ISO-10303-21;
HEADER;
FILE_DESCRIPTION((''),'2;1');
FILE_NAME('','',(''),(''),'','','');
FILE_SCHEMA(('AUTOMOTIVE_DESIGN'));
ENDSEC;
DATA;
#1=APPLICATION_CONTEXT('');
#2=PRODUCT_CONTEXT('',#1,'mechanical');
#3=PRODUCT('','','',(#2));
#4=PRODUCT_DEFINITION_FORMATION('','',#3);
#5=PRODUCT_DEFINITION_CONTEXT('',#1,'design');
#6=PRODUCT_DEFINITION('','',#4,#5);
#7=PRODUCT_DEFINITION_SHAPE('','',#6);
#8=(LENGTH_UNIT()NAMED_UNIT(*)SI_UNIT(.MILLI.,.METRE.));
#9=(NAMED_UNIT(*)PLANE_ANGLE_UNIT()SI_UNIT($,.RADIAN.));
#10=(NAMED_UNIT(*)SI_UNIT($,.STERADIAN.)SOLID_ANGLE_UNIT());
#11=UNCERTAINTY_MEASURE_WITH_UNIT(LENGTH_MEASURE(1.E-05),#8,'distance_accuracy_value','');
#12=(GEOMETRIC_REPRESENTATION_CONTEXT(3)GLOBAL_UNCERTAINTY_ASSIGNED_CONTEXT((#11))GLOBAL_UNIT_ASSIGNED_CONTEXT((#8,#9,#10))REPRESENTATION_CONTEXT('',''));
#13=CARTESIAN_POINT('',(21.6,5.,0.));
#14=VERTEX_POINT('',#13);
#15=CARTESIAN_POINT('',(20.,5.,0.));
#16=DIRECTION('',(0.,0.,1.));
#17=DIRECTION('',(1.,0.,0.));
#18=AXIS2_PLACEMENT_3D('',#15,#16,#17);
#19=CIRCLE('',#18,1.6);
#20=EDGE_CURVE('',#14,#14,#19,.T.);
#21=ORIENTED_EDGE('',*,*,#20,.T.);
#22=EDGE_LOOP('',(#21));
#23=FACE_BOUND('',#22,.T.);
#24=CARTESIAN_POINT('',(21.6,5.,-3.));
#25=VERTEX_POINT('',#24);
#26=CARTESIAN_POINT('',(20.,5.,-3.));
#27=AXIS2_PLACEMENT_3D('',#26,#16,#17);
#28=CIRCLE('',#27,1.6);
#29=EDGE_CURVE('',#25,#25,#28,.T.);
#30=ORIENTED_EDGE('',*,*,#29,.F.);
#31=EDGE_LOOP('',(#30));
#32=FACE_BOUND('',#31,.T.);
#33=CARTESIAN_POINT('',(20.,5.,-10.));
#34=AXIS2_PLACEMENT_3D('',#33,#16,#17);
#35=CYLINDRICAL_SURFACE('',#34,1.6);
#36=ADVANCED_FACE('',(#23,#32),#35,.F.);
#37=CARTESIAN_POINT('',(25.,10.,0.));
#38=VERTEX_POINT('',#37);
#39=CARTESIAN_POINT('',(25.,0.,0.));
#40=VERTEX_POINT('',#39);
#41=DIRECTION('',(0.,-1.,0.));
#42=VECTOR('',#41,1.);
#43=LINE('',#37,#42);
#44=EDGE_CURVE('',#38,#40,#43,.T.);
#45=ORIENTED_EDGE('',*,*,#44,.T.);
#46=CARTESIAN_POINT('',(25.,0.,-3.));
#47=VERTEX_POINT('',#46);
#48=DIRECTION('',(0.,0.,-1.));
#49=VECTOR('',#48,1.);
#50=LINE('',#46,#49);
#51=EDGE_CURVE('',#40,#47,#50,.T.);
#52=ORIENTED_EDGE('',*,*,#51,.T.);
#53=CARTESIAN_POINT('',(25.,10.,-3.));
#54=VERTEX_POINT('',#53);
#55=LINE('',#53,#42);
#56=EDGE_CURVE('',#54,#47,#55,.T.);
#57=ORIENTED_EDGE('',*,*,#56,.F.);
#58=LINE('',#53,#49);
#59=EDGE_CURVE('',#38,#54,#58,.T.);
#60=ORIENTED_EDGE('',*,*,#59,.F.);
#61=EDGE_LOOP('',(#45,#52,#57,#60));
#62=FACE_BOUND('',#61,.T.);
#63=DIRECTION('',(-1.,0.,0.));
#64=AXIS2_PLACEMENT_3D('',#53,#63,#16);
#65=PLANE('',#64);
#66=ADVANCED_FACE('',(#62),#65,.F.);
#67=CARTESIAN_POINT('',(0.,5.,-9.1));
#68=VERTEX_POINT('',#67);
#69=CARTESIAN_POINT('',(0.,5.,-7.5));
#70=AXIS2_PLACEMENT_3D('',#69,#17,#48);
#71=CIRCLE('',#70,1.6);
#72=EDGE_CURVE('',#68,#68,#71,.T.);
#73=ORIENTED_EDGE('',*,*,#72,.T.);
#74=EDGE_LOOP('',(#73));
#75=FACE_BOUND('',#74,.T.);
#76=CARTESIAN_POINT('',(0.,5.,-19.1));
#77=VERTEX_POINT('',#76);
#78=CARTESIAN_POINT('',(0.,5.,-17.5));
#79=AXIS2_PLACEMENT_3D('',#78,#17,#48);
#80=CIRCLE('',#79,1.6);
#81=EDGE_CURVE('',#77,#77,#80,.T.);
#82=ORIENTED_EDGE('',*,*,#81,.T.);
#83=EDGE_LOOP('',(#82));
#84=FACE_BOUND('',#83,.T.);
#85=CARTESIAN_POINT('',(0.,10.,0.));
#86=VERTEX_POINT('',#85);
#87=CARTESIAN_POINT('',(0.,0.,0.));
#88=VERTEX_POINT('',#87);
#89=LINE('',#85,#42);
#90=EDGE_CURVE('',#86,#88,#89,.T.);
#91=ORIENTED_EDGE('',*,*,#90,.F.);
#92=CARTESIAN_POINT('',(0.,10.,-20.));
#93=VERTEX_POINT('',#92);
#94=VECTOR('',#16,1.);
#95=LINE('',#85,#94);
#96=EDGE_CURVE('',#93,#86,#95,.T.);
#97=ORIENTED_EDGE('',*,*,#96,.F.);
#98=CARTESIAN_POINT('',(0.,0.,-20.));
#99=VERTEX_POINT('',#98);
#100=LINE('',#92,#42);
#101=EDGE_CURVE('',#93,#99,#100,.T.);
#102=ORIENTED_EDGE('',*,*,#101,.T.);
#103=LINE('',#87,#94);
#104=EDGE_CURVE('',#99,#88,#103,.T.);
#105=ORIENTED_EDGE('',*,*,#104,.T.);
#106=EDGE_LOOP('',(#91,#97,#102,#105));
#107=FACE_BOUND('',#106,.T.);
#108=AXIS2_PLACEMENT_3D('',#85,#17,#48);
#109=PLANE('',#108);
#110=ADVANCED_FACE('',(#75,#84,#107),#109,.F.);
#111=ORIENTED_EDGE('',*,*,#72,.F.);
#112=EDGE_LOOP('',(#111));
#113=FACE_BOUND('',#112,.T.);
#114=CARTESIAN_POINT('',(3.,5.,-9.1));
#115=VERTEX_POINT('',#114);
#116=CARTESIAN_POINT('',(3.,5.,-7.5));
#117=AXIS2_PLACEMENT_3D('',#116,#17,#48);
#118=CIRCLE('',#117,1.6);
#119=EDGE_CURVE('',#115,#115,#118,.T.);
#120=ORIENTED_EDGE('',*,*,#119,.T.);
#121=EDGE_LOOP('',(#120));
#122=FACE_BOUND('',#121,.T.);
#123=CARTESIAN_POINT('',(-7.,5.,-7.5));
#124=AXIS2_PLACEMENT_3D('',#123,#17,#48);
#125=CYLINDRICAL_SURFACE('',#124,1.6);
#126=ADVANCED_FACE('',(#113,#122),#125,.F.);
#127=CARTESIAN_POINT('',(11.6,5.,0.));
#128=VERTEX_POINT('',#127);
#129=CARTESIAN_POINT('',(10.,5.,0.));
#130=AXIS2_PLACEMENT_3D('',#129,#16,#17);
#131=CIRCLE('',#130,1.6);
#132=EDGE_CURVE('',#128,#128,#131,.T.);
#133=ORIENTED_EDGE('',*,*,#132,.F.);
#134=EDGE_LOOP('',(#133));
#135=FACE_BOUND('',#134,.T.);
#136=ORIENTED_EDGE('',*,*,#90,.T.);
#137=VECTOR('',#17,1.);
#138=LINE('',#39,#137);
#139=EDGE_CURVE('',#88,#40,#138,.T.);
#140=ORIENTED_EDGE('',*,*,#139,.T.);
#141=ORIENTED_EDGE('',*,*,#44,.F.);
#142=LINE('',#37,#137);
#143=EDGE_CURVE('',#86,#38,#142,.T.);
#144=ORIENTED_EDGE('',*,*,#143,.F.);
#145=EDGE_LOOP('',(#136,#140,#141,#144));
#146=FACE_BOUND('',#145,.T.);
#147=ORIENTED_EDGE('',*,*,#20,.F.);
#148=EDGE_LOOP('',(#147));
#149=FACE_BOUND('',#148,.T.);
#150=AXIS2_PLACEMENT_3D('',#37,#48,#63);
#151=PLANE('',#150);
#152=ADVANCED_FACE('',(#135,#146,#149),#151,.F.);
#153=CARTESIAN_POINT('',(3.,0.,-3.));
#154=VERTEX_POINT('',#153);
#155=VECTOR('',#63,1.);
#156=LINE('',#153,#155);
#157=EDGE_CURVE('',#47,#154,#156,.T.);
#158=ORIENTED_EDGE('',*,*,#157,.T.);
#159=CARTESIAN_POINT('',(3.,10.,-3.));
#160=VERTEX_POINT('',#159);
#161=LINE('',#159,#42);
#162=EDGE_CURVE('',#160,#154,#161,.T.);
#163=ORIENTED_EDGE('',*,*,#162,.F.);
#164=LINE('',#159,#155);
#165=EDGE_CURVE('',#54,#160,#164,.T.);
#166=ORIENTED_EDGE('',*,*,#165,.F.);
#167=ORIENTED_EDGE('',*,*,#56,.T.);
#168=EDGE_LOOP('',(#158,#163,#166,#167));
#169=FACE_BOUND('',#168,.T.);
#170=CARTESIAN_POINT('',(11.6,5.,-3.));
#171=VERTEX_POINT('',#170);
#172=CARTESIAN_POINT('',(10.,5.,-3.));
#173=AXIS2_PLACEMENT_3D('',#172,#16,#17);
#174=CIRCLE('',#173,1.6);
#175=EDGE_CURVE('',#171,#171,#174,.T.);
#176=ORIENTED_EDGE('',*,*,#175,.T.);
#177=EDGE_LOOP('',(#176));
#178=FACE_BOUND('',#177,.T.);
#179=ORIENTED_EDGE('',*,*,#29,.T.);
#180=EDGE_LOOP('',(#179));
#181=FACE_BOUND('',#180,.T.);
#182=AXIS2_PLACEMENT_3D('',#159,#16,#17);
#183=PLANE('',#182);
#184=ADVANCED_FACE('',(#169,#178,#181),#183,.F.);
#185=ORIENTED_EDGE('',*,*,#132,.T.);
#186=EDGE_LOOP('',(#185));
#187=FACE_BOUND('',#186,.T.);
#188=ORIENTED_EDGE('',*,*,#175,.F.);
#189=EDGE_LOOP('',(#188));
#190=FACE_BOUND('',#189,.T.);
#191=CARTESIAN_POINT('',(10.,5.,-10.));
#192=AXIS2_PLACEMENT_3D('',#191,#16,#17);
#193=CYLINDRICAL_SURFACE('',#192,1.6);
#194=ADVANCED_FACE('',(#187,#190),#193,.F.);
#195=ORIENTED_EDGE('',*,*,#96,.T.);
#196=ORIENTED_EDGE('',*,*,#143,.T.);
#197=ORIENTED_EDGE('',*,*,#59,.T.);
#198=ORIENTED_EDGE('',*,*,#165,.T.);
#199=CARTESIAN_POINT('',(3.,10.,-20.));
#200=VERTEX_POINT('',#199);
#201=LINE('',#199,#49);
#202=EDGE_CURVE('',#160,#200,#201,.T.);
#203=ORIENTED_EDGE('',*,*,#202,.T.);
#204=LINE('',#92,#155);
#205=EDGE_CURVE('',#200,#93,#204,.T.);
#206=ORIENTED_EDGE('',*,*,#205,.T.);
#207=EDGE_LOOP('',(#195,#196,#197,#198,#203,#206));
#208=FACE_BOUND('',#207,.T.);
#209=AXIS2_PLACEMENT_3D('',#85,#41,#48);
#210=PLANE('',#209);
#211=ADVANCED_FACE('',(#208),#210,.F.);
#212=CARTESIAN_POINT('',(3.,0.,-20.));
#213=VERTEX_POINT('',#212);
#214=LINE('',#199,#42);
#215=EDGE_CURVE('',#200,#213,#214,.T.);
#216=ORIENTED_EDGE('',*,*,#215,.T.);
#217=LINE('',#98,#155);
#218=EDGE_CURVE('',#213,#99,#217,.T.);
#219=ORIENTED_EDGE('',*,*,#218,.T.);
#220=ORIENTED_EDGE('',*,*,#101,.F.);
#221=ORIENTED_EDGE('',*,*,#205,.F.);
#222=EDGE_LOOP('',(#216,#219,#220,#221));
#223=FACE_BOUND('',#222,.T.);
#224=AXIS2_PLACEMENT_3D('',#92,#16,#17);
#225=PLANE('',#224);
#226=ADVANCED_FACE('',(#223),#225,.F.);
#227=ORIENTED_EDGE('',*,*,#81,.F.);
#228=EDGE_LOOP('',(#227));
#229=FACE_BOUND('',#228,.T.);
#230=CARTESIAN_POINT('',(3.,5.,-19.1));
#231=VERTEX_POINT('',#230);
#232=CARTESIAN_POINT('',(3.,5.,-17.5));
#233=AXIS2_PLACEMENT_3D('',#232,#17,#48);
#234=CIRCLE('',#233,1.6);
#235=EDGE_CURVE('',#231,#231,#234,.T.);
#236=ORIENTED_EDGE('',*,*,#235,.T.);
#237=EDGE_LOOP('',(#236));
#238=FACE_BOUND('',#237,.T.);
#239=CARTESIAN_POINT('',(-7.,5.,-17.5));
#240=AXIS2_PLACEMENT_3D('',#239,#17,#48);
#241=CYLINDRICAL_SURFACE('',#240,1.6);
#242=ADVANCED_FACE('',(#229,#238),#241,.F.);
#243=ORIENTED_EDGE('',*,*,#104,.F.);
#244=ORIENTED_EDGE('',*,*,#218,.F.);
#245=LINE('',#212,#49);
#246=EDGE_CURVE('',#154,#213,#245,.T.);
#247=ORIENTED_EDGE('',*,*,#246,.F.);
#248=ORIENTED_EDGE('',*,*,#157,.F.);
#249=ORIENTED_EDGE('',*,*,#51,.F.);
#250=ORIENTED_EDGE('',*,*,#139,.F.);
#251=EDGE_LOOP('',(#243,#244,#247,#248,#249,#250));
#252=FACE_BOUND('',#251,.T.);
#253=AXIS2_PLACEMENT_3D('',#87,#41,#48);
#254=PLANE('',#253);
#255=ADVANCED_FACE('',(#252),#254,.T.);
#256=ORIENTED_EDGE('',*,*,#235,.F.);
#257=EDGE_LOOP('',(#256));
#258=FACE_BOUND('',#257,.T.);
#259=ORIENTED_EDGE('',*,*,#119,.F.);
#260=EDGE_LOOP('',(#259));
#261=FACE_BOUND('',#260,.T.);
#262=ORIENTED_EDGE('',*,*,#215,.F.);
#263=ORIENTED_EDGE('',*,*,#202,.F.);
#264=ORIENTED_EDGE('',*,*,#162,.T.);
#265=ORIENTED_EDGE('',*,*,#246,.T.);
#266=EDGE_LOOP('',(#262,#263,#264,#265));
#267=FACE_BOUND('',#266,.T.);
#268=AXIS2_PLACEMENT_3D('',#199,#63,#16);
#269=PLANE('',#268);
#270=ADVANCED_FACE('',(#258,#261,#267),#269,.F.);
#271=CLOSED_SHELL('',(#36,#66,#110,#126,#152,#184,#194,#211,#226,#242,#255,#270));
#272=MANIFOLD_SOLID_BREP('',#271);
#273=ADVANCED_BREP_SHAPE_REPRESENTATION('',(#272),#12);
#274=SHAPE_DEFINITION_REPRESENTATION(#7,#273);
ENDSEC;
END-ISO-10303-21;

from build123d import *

# Parameters (mm, degrees)
BOSS_EXTRUDE2_DEPTH = 10
SKETCH2_R           = 1.6
CUT_EXTRUDE1_DEPTH  = 10
SKETCH3_R           = 1.6
CUT_EXTRUDE2_DEPTH  = 10


with BuildPart() as part:
    # Sketch1 → Boss-Extrude2 (new body)
    with BuildSketch(Plane(origin=(0, 0, 0), x_dir=(1, 0, 0), z_dir=(0, 1, 0))):
        Polygon((0, 0), (0, 20), (3, 20), (3, 3), (25, 3), (25, 0), align=None)
    extrude(amount=BOSS_EXTRUDE2_DEPTH)

    # Sketch2 → Cut-Extrude1 (cut)
    with BuildSketch(Plane.XY):
        with Locations((20, 5)):
            Circle(SKETCH2_R)
        with Locations((10, 5)):
            Circle(SKETCH2_R)
    extrude(amount=-CUT_EXTRUDE1_DEPTH, mode=Mode.SUBTRACT)

    # Sketch3 → Cut-Extrude2 (cut)
    with BuildSketch(Plane(origin=(3, 0, 0), x_dir=(0, 0, -1), z_dir=(1, 0, 0))):
        with Locations((7.5, 5)):
            Circle(SKETCH3_R)
        with Locations((17.5, 5)):
            Circle(SKETCH3_R)
    extrude(amount=-CUT_EXTRUDE2_DEPTH, mode=Mode.SUBTRACT)


solid = part.part
